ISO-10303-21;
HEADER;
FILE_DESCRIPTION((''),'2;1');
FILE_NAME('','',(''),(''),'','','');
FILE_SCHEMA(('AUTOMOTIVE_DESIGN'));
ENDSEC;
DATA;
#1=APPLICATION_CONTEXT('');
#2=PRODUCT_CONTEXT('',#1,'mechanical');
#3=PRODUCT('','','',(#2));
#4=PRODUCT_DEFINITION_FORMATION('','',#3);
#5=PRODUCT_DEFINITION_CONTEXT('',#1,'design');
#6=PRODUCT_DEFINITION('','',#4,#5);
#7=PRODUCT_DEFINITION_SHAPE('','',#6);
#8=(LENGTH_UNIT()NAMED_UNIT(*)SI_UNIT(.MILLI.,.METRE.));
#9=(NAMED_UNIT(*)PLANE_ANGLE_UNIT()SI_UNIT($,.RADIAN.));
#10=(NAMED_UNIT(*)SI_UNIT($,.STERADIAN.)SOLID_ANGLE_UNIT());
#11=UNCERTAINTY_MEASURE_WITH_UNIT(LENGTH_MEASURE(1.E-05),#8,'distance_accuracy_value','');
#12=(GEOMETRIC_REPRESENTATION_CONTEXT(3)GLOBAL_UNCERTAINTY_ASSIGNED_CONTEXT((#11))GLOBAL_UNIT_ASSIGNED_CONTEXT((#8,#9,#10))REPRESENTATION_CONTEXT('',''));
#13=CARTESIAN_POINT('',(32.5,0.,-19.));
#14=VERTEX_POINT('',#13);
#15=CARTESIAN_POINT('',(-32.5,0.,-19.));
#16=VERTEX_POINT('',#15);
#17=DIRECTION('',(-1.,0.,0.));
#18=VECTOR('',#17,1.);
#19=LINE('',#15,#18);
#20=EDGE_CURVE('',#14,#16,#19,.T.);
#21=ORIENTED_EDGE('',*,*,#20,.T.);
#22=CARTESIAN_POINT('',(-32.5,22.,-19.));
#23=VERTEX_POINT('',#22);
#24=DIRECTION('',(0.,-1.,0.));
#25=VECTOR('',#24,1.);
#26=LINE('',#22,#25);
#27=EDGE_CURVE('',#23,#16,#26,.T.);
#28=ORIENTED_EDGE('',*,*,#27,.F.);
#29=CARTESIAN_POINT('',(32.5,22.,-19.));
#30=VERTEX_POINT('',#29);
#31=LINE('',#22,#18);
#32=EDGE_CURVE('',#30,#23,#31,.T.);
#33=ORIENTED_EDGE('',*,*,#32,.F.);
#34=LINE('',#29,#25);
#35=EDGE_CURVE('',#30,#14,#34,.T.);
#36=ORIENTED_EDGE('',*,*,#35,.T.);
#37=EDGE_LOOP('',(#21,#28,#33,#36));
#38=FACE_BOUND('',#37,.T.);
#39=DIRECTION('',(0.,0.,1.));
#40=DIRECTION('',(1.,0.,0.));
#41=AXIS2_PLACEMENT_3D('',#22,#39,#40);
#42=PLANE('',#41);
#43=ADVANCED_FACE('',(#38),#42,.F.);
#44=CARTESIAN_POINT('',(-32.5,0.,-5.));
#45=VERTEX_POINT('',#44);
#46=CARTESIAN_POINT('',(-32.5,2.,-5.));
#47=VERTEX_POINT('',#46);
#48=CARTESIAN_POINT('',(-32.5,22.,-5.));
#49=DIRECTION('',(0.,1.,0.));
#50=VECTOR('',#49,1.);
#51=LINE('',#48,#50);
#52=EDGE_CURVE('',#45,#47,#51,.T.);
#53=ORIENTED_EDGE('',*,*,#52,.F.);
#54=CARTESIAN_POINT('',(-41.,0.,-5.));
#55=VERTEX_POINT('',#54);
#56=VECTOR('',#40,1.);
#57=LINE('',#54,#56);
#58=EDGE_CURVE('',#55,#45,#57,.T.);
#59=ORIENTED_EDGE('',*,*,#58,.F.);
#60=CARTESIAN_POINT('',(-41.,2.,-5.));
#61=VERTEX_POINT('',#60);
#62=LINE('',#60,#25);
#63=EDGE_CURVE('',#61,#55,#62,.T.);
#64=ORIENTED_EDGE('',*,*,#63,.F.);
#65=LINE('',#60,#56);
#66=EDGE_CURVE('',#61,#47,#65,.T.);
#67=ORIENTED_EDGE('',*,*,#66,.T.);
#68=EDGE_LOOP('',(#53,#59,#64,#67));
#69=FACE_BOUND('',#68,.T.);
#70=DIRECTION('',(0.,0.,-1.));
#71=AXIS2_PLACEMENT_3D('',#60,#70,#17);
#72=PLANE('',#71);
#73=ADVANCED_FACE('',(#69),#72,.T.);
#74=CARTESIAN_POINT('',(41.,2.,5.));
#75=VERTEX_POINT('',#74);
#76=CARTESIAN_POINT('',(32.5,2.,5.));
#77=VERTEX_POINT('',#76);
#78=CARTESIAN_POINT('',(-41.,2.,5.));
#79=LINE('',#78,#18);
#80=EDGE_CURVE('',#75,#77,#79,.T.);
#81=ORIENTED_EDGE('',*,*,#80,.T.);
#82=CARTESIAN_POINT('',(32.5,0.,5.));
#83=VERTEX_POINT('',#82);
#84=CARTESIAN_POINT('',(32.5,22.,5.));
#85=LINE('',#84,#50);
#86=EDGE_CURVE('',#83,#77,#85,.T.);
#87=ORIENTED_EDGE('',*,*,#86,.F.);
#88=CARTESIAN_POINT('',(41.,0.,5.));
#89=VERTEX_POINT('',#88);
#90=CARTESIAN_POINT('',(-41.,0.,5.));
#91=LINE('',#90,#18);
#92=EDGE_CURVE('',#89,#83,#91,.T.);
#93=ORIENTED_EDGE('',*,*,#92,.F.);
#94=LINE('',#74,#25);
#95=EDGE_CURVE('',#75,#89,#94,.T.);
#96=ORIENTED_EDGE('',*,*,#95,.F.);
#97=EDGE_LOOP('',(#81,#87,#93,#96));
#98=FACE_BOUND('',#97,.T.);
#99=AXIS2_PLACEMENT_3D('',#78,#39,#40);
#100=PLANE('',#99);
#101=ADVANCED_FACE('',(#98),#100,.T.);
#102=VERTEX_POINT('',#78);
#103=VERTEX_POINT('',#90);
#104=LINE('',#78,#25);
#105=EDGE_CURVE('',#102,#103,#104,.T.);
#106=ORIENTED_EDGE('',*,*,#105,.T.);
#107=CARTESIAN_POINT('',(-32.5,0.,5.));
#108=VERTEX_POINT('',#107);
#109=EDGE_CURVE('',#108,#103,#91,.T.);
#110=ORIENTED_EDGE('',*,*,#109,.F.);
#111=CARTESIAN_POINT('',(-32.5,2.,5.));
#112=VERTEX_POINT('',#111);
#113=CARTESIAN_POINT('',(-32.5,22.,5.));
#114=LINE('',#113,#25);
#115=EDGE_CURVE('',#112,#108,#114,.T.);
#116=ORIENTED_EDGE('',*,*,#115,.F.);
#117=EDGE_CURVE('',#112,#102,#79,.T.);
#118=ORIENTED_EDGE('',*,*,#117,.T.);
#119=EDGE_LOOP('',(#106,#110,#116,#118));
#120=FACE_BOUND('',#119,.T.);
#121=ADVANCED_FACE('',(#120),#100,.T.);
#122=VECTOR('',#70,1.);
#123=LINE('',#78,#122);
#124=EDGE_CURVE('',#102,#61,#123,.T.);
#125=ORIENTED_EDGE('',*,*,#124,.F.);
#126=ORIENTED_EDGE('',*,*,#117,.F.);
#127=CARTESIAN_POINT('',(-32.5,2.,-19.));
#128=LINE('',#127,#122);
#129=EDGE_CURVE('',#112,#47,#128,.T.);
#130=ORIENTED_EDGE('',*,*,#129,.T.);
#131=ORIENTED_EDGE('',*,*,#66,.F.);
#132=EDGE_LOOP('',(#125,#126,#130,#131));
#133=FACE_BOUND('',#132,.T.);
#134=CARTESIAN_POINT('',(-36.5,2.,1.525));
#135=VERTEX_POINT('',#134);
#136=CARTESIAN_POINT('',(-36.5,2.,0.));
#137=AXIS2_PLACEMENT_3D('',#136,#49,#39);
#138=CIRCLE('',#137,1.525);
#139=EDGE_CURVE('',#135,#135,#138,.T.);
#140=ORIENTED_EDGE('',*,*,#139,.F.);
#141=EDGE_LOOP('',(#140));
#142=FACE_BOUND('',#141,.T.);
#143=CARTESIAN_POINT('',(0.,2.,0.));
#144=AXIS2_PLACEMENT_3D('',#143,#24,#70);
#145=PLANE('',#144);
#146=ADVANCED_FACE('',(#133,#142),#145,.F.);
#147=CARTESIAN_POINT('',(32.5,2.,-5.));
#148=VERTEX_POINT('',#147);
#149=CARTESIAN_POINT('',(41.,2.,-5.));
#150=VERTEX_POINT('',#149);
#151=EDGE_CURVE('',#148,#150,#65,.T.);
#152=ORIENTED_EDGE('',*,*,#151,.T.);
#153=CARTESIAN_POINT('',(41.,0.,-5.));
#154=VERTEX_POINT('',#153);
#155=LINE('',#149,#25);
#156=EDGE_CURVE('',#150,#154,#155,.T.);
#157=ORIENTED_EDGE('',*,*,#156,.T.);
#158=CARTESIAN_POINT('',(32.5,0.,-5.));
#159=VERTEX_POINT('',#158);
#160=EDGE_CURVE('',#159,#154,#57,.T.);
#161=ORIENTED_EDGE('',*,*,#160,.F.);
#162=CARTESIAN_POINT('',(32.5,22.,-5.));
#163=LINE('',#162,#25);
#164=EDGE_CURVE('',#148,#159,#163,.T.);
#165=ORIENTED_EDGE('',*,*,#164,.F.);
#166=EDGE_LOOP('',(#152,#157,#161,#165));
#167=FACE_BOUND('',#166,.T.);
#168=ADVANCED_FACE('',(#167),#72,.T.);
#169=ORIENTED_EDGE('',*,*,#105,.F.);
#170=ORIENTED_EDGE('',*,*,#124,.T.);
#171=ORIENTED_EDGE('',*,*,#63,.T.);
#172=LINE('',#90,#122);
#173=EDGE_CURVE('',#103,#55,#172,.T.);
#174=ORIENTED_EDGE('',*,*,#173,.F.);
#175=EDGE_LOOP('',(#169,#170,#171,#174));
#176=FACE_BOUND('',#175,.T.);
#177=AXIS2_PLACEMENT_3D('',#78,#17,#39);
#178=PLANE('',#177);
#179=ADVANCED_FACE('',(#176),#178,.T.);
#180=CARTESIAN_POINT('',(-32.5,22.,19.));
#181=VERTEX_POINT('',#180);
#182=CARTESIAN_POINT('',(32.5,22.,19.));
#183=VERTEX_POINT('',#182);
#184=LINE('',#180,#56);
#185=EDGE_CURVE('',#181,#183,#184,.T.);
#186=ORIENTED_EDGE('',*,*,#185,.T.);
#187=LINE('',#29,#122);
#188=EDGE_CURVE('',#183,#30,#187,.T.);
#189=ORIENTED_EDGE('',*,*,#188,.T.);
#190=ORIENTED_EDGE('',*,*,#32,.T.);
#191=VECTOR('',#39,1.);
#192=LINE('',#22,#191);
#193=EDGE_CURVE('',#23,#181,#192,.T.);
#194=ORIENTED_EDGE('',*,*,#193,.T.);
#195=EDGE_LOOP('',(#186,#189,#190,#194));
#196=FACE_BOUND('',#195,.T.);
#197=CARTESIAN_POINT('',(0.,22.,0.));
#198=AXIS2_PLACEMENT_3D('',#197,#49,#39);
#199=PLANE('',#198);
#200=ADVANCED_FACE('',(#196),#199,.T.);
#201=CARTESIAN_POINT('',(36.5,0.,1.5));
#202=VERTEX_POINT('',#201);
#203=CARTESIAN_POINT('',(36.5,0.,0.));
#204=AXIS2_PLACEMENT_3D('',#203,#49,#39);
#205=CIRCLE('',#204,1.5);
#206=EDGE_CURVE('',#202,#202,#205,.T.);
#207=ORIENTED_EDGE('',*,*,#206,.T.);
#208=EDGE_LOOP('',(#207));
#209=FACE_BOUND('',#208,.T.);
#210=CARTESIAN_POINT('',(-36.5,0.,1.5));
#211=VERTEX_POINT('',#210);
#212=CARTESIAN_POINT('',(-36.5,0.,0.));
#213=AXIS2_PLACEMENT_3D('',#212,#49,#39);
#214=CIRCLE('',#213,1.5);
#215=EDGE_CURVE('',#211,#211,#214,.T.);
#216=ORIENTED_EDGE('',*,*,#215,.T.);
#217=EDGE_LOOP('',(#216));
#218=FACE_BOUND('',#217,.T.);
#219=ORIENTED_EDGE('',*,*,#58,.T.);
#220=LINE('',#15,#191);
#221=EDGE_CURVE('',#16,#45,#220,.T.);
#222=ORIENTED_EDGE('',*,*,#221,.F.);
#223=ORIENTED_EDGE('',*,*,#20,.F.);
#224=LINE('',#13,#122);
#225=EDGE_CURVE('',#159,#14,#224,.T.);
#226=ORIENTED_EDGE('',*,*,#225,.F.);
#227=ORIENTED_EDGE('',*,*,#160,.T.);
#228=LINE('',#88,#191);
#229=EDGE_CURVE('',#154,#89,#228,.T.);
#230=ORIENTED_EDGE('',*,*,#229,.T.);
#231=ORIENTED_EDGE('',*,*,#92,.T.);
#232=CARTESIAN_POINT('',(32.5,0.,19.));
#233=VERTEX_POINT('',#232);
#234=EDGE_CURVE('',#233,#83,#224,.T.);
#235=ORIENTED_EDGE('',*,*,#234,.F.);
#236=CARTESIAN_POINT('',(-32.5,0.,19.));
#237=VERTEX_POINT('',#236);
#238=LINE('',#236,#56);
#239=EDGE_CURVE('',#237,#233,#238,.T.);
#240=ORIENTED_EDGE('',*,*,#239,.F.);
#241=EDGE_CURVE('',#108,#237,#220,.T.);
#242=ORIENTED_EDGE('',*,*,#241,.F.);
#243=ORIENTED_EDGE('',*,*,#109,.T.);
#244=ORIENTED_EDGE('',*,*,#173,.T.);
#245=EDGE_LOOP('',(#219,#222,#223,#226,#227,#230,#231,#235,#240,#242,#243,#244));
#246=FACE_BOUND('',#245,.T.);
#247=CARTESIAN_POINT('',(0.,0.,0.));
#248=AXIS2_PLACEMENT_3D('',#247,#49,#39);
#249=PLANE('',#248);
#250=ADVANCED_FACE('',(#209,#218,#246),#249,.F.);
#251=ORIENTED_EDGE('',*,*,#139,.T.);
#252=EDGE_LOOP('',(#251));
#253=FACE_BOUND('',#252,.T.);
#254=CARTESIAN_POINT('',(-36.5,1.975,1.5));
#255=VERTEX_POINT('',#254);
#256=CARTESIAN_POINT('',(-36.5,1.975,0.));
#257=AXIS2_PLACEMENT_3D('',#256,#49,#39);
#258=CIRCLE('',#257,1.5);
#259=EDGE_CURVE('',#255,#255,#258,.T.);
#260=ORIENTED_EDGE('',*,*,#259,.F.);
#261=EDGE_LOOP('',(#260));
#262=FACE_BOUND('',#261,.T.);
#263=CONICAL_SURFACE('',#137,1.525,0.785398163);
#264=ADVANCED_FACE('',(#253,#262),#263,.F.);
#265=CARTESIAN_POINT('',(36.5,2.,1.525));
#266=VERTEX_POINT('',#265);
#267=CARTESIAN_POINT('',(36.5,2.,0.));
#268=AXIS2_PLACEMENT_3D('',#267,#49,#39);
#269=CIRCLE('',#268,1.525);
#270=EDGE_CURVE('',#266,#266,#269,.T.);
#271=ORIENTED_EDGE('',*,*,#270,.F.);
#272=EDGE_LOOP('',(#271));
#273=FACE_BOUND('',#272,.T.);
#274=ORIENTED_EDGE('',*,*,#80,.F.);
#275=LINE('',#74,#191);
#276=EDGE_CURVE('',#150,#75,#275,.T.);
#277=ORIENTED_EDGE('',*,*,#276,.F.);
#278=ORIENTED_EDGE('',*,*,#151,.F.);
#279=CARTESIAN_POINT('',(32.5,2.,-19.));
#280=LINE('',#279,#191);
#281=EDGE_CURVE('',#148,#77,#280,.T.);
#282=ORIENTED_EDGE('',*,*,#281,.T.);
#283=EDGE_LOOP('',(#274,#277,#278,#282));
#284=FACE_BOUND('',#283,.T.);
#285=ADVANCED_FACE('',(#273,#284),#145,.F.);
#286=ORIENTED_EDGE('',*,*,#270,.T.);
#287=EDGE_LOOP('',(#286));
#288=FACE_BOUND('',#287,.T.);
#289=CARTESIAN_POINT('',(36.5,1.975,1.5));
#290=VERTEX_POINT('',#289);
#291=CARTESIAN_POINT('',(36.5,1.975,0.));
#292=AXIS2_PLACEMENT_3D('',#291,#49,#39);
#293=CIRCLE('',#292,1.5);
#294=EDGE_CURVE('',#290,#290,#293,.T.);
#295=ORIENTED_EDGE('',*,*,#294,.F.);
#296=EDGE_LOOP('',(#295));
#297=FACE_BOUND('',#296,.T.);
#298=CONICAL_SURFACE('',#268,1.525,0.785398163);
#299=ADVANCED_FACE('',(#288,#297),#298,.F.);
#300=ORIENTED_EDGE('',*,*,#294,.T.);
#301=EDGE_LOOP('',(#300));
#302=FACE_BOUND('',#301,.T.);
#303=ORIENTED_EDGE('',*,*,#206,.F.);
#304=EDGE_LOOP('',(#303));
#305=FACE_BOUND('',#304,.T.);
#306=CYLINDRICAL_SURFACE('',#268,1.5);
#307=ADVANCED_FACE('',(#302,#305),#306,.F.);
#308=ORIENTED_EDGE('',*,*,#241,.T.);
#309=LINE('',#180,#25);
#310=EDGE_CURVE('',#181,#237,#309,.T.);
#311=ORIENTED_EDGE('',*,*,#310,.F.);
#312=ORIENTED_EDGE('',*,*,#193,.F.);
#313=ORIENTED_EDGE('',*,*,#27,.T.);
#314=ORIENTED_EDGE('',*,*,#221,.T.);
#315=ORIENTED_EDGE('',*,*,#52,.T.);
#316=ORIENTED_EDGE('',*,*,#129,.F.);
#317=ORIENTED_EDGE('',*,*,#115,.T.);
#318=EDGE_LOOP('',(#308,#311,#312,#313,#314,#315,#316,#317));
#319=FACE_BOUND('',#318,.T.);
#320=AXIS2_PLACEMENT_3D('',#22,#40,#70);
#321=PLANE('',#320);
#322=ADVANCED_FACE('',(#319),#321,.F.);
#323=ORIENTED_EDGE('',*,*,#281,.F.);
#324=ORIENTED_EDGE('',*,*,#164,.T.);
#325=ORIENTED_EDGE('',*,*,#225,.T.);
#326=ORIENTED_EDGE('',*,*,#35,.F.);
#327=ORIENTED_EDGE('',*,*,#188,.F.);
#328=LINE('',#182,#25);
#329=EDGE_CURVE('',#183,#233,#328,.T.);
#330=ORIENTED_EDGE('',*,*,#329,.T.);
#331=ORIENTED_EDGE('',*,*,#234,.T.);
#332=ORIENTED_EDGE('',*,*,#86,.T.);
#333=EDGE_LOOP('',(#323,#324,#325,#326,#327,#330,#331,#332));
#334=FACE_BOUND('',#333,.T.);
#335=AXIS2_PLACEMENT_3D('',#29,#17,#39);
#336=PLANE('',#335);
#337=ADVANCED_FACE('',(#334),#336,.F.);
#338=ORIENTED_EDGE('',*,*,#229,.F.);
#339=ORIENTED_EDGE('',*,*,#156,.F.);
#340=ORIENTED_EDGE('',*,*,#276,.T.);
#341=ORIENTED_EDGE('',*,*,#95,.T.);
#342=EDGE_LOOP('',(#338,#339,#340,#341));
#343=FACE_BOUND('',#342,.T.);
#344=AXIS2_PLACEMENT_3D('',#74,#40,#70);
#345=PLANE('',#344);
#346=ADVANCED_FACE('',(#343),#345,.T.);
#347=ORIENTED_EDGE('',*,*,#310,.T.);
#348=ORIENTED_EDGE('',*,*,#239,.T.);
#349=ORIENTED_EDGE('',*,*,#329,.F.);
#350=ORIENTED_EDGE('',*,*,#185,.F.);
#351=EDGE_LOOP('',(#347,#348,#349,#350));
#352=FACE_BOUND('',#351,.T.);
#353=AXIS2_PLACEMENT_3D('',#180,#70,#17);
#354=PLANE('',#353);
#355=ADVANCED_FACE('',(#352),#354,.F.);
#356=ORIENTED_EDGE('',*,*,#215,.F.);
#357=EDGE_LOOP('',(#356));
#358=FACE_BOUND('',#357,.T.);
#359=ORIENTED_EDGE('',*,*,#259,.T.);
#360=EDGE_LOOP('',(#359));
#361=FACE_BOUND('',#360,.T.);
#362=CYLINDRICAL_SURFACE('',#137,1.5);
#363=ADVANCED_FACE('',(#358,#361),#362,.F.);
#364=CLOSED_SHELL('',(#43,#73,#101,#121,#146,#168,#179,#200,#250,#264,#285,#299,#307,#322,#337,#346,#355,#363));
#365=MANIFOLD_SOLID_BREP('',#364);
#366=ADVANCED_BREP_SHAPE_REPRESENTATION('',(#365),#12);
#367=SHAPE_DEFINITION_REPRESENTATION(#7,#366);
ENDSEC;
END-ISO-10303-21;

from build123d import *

# Parameters (mm, degrees)
SKETCH1_W                          = 65
SKETCH1_H                          = 38
BOSS_EXTRUDE1_DEPTH                = 22
SKETCH2_W                          = 82
SKETCH2_H                          = 10
BOSS_EXTRUDE2_DEPTH                = 2
F_3_0_3_DIAMETER_HOLE1_D           = 3
F_3_0_3_DIAMETER_HOLE1_CSINK_D     = 3.05
F_3_0_3_DIAMETER_HOLE1_CSINK_ANGLE = 90


with BuildPart() as part:
    # Sketch1 → Boss-Extrude1 (new body)
    with BuildSketch(Plane(origin=(0, 0, 0), x_dir=(1, 0, 0), z_dir=(0, 1, 0))):
        Rectangle(SKETCH1_W, SKETCH1_H)
    extrude(amount=BOSS_EXTRUDE1_DEPTH)

    # Sketch2 → Boss-Extrude2 (add)
    with BuildSketch(Plane.XZ):
        Rectangle(SKETCH2_W, SKETCH2_H)
    extrude(amount=-BOSS_EXTRUDE2_DEPTH)

    # Ø3.0 (3) Diameter Hole1 (through all)
    with Locations(Plane(origin=(0, 2, 0), x_dir=(1, 0, 0), z_dir=(0, 1, 0))):
        with Locations((-36.5, 0), (36.5, 0)):
            CounterSinkHole(F_3_0_3_DIAMETER_HOLE1_D / 2, F_3_0_3_DIAMETER_HOLE1_CSINK_D / 2, counter_sink_angle=F_3_0_3_DIAMETER_HOLE1_CSINK_ANGLE)


solid = part.part
